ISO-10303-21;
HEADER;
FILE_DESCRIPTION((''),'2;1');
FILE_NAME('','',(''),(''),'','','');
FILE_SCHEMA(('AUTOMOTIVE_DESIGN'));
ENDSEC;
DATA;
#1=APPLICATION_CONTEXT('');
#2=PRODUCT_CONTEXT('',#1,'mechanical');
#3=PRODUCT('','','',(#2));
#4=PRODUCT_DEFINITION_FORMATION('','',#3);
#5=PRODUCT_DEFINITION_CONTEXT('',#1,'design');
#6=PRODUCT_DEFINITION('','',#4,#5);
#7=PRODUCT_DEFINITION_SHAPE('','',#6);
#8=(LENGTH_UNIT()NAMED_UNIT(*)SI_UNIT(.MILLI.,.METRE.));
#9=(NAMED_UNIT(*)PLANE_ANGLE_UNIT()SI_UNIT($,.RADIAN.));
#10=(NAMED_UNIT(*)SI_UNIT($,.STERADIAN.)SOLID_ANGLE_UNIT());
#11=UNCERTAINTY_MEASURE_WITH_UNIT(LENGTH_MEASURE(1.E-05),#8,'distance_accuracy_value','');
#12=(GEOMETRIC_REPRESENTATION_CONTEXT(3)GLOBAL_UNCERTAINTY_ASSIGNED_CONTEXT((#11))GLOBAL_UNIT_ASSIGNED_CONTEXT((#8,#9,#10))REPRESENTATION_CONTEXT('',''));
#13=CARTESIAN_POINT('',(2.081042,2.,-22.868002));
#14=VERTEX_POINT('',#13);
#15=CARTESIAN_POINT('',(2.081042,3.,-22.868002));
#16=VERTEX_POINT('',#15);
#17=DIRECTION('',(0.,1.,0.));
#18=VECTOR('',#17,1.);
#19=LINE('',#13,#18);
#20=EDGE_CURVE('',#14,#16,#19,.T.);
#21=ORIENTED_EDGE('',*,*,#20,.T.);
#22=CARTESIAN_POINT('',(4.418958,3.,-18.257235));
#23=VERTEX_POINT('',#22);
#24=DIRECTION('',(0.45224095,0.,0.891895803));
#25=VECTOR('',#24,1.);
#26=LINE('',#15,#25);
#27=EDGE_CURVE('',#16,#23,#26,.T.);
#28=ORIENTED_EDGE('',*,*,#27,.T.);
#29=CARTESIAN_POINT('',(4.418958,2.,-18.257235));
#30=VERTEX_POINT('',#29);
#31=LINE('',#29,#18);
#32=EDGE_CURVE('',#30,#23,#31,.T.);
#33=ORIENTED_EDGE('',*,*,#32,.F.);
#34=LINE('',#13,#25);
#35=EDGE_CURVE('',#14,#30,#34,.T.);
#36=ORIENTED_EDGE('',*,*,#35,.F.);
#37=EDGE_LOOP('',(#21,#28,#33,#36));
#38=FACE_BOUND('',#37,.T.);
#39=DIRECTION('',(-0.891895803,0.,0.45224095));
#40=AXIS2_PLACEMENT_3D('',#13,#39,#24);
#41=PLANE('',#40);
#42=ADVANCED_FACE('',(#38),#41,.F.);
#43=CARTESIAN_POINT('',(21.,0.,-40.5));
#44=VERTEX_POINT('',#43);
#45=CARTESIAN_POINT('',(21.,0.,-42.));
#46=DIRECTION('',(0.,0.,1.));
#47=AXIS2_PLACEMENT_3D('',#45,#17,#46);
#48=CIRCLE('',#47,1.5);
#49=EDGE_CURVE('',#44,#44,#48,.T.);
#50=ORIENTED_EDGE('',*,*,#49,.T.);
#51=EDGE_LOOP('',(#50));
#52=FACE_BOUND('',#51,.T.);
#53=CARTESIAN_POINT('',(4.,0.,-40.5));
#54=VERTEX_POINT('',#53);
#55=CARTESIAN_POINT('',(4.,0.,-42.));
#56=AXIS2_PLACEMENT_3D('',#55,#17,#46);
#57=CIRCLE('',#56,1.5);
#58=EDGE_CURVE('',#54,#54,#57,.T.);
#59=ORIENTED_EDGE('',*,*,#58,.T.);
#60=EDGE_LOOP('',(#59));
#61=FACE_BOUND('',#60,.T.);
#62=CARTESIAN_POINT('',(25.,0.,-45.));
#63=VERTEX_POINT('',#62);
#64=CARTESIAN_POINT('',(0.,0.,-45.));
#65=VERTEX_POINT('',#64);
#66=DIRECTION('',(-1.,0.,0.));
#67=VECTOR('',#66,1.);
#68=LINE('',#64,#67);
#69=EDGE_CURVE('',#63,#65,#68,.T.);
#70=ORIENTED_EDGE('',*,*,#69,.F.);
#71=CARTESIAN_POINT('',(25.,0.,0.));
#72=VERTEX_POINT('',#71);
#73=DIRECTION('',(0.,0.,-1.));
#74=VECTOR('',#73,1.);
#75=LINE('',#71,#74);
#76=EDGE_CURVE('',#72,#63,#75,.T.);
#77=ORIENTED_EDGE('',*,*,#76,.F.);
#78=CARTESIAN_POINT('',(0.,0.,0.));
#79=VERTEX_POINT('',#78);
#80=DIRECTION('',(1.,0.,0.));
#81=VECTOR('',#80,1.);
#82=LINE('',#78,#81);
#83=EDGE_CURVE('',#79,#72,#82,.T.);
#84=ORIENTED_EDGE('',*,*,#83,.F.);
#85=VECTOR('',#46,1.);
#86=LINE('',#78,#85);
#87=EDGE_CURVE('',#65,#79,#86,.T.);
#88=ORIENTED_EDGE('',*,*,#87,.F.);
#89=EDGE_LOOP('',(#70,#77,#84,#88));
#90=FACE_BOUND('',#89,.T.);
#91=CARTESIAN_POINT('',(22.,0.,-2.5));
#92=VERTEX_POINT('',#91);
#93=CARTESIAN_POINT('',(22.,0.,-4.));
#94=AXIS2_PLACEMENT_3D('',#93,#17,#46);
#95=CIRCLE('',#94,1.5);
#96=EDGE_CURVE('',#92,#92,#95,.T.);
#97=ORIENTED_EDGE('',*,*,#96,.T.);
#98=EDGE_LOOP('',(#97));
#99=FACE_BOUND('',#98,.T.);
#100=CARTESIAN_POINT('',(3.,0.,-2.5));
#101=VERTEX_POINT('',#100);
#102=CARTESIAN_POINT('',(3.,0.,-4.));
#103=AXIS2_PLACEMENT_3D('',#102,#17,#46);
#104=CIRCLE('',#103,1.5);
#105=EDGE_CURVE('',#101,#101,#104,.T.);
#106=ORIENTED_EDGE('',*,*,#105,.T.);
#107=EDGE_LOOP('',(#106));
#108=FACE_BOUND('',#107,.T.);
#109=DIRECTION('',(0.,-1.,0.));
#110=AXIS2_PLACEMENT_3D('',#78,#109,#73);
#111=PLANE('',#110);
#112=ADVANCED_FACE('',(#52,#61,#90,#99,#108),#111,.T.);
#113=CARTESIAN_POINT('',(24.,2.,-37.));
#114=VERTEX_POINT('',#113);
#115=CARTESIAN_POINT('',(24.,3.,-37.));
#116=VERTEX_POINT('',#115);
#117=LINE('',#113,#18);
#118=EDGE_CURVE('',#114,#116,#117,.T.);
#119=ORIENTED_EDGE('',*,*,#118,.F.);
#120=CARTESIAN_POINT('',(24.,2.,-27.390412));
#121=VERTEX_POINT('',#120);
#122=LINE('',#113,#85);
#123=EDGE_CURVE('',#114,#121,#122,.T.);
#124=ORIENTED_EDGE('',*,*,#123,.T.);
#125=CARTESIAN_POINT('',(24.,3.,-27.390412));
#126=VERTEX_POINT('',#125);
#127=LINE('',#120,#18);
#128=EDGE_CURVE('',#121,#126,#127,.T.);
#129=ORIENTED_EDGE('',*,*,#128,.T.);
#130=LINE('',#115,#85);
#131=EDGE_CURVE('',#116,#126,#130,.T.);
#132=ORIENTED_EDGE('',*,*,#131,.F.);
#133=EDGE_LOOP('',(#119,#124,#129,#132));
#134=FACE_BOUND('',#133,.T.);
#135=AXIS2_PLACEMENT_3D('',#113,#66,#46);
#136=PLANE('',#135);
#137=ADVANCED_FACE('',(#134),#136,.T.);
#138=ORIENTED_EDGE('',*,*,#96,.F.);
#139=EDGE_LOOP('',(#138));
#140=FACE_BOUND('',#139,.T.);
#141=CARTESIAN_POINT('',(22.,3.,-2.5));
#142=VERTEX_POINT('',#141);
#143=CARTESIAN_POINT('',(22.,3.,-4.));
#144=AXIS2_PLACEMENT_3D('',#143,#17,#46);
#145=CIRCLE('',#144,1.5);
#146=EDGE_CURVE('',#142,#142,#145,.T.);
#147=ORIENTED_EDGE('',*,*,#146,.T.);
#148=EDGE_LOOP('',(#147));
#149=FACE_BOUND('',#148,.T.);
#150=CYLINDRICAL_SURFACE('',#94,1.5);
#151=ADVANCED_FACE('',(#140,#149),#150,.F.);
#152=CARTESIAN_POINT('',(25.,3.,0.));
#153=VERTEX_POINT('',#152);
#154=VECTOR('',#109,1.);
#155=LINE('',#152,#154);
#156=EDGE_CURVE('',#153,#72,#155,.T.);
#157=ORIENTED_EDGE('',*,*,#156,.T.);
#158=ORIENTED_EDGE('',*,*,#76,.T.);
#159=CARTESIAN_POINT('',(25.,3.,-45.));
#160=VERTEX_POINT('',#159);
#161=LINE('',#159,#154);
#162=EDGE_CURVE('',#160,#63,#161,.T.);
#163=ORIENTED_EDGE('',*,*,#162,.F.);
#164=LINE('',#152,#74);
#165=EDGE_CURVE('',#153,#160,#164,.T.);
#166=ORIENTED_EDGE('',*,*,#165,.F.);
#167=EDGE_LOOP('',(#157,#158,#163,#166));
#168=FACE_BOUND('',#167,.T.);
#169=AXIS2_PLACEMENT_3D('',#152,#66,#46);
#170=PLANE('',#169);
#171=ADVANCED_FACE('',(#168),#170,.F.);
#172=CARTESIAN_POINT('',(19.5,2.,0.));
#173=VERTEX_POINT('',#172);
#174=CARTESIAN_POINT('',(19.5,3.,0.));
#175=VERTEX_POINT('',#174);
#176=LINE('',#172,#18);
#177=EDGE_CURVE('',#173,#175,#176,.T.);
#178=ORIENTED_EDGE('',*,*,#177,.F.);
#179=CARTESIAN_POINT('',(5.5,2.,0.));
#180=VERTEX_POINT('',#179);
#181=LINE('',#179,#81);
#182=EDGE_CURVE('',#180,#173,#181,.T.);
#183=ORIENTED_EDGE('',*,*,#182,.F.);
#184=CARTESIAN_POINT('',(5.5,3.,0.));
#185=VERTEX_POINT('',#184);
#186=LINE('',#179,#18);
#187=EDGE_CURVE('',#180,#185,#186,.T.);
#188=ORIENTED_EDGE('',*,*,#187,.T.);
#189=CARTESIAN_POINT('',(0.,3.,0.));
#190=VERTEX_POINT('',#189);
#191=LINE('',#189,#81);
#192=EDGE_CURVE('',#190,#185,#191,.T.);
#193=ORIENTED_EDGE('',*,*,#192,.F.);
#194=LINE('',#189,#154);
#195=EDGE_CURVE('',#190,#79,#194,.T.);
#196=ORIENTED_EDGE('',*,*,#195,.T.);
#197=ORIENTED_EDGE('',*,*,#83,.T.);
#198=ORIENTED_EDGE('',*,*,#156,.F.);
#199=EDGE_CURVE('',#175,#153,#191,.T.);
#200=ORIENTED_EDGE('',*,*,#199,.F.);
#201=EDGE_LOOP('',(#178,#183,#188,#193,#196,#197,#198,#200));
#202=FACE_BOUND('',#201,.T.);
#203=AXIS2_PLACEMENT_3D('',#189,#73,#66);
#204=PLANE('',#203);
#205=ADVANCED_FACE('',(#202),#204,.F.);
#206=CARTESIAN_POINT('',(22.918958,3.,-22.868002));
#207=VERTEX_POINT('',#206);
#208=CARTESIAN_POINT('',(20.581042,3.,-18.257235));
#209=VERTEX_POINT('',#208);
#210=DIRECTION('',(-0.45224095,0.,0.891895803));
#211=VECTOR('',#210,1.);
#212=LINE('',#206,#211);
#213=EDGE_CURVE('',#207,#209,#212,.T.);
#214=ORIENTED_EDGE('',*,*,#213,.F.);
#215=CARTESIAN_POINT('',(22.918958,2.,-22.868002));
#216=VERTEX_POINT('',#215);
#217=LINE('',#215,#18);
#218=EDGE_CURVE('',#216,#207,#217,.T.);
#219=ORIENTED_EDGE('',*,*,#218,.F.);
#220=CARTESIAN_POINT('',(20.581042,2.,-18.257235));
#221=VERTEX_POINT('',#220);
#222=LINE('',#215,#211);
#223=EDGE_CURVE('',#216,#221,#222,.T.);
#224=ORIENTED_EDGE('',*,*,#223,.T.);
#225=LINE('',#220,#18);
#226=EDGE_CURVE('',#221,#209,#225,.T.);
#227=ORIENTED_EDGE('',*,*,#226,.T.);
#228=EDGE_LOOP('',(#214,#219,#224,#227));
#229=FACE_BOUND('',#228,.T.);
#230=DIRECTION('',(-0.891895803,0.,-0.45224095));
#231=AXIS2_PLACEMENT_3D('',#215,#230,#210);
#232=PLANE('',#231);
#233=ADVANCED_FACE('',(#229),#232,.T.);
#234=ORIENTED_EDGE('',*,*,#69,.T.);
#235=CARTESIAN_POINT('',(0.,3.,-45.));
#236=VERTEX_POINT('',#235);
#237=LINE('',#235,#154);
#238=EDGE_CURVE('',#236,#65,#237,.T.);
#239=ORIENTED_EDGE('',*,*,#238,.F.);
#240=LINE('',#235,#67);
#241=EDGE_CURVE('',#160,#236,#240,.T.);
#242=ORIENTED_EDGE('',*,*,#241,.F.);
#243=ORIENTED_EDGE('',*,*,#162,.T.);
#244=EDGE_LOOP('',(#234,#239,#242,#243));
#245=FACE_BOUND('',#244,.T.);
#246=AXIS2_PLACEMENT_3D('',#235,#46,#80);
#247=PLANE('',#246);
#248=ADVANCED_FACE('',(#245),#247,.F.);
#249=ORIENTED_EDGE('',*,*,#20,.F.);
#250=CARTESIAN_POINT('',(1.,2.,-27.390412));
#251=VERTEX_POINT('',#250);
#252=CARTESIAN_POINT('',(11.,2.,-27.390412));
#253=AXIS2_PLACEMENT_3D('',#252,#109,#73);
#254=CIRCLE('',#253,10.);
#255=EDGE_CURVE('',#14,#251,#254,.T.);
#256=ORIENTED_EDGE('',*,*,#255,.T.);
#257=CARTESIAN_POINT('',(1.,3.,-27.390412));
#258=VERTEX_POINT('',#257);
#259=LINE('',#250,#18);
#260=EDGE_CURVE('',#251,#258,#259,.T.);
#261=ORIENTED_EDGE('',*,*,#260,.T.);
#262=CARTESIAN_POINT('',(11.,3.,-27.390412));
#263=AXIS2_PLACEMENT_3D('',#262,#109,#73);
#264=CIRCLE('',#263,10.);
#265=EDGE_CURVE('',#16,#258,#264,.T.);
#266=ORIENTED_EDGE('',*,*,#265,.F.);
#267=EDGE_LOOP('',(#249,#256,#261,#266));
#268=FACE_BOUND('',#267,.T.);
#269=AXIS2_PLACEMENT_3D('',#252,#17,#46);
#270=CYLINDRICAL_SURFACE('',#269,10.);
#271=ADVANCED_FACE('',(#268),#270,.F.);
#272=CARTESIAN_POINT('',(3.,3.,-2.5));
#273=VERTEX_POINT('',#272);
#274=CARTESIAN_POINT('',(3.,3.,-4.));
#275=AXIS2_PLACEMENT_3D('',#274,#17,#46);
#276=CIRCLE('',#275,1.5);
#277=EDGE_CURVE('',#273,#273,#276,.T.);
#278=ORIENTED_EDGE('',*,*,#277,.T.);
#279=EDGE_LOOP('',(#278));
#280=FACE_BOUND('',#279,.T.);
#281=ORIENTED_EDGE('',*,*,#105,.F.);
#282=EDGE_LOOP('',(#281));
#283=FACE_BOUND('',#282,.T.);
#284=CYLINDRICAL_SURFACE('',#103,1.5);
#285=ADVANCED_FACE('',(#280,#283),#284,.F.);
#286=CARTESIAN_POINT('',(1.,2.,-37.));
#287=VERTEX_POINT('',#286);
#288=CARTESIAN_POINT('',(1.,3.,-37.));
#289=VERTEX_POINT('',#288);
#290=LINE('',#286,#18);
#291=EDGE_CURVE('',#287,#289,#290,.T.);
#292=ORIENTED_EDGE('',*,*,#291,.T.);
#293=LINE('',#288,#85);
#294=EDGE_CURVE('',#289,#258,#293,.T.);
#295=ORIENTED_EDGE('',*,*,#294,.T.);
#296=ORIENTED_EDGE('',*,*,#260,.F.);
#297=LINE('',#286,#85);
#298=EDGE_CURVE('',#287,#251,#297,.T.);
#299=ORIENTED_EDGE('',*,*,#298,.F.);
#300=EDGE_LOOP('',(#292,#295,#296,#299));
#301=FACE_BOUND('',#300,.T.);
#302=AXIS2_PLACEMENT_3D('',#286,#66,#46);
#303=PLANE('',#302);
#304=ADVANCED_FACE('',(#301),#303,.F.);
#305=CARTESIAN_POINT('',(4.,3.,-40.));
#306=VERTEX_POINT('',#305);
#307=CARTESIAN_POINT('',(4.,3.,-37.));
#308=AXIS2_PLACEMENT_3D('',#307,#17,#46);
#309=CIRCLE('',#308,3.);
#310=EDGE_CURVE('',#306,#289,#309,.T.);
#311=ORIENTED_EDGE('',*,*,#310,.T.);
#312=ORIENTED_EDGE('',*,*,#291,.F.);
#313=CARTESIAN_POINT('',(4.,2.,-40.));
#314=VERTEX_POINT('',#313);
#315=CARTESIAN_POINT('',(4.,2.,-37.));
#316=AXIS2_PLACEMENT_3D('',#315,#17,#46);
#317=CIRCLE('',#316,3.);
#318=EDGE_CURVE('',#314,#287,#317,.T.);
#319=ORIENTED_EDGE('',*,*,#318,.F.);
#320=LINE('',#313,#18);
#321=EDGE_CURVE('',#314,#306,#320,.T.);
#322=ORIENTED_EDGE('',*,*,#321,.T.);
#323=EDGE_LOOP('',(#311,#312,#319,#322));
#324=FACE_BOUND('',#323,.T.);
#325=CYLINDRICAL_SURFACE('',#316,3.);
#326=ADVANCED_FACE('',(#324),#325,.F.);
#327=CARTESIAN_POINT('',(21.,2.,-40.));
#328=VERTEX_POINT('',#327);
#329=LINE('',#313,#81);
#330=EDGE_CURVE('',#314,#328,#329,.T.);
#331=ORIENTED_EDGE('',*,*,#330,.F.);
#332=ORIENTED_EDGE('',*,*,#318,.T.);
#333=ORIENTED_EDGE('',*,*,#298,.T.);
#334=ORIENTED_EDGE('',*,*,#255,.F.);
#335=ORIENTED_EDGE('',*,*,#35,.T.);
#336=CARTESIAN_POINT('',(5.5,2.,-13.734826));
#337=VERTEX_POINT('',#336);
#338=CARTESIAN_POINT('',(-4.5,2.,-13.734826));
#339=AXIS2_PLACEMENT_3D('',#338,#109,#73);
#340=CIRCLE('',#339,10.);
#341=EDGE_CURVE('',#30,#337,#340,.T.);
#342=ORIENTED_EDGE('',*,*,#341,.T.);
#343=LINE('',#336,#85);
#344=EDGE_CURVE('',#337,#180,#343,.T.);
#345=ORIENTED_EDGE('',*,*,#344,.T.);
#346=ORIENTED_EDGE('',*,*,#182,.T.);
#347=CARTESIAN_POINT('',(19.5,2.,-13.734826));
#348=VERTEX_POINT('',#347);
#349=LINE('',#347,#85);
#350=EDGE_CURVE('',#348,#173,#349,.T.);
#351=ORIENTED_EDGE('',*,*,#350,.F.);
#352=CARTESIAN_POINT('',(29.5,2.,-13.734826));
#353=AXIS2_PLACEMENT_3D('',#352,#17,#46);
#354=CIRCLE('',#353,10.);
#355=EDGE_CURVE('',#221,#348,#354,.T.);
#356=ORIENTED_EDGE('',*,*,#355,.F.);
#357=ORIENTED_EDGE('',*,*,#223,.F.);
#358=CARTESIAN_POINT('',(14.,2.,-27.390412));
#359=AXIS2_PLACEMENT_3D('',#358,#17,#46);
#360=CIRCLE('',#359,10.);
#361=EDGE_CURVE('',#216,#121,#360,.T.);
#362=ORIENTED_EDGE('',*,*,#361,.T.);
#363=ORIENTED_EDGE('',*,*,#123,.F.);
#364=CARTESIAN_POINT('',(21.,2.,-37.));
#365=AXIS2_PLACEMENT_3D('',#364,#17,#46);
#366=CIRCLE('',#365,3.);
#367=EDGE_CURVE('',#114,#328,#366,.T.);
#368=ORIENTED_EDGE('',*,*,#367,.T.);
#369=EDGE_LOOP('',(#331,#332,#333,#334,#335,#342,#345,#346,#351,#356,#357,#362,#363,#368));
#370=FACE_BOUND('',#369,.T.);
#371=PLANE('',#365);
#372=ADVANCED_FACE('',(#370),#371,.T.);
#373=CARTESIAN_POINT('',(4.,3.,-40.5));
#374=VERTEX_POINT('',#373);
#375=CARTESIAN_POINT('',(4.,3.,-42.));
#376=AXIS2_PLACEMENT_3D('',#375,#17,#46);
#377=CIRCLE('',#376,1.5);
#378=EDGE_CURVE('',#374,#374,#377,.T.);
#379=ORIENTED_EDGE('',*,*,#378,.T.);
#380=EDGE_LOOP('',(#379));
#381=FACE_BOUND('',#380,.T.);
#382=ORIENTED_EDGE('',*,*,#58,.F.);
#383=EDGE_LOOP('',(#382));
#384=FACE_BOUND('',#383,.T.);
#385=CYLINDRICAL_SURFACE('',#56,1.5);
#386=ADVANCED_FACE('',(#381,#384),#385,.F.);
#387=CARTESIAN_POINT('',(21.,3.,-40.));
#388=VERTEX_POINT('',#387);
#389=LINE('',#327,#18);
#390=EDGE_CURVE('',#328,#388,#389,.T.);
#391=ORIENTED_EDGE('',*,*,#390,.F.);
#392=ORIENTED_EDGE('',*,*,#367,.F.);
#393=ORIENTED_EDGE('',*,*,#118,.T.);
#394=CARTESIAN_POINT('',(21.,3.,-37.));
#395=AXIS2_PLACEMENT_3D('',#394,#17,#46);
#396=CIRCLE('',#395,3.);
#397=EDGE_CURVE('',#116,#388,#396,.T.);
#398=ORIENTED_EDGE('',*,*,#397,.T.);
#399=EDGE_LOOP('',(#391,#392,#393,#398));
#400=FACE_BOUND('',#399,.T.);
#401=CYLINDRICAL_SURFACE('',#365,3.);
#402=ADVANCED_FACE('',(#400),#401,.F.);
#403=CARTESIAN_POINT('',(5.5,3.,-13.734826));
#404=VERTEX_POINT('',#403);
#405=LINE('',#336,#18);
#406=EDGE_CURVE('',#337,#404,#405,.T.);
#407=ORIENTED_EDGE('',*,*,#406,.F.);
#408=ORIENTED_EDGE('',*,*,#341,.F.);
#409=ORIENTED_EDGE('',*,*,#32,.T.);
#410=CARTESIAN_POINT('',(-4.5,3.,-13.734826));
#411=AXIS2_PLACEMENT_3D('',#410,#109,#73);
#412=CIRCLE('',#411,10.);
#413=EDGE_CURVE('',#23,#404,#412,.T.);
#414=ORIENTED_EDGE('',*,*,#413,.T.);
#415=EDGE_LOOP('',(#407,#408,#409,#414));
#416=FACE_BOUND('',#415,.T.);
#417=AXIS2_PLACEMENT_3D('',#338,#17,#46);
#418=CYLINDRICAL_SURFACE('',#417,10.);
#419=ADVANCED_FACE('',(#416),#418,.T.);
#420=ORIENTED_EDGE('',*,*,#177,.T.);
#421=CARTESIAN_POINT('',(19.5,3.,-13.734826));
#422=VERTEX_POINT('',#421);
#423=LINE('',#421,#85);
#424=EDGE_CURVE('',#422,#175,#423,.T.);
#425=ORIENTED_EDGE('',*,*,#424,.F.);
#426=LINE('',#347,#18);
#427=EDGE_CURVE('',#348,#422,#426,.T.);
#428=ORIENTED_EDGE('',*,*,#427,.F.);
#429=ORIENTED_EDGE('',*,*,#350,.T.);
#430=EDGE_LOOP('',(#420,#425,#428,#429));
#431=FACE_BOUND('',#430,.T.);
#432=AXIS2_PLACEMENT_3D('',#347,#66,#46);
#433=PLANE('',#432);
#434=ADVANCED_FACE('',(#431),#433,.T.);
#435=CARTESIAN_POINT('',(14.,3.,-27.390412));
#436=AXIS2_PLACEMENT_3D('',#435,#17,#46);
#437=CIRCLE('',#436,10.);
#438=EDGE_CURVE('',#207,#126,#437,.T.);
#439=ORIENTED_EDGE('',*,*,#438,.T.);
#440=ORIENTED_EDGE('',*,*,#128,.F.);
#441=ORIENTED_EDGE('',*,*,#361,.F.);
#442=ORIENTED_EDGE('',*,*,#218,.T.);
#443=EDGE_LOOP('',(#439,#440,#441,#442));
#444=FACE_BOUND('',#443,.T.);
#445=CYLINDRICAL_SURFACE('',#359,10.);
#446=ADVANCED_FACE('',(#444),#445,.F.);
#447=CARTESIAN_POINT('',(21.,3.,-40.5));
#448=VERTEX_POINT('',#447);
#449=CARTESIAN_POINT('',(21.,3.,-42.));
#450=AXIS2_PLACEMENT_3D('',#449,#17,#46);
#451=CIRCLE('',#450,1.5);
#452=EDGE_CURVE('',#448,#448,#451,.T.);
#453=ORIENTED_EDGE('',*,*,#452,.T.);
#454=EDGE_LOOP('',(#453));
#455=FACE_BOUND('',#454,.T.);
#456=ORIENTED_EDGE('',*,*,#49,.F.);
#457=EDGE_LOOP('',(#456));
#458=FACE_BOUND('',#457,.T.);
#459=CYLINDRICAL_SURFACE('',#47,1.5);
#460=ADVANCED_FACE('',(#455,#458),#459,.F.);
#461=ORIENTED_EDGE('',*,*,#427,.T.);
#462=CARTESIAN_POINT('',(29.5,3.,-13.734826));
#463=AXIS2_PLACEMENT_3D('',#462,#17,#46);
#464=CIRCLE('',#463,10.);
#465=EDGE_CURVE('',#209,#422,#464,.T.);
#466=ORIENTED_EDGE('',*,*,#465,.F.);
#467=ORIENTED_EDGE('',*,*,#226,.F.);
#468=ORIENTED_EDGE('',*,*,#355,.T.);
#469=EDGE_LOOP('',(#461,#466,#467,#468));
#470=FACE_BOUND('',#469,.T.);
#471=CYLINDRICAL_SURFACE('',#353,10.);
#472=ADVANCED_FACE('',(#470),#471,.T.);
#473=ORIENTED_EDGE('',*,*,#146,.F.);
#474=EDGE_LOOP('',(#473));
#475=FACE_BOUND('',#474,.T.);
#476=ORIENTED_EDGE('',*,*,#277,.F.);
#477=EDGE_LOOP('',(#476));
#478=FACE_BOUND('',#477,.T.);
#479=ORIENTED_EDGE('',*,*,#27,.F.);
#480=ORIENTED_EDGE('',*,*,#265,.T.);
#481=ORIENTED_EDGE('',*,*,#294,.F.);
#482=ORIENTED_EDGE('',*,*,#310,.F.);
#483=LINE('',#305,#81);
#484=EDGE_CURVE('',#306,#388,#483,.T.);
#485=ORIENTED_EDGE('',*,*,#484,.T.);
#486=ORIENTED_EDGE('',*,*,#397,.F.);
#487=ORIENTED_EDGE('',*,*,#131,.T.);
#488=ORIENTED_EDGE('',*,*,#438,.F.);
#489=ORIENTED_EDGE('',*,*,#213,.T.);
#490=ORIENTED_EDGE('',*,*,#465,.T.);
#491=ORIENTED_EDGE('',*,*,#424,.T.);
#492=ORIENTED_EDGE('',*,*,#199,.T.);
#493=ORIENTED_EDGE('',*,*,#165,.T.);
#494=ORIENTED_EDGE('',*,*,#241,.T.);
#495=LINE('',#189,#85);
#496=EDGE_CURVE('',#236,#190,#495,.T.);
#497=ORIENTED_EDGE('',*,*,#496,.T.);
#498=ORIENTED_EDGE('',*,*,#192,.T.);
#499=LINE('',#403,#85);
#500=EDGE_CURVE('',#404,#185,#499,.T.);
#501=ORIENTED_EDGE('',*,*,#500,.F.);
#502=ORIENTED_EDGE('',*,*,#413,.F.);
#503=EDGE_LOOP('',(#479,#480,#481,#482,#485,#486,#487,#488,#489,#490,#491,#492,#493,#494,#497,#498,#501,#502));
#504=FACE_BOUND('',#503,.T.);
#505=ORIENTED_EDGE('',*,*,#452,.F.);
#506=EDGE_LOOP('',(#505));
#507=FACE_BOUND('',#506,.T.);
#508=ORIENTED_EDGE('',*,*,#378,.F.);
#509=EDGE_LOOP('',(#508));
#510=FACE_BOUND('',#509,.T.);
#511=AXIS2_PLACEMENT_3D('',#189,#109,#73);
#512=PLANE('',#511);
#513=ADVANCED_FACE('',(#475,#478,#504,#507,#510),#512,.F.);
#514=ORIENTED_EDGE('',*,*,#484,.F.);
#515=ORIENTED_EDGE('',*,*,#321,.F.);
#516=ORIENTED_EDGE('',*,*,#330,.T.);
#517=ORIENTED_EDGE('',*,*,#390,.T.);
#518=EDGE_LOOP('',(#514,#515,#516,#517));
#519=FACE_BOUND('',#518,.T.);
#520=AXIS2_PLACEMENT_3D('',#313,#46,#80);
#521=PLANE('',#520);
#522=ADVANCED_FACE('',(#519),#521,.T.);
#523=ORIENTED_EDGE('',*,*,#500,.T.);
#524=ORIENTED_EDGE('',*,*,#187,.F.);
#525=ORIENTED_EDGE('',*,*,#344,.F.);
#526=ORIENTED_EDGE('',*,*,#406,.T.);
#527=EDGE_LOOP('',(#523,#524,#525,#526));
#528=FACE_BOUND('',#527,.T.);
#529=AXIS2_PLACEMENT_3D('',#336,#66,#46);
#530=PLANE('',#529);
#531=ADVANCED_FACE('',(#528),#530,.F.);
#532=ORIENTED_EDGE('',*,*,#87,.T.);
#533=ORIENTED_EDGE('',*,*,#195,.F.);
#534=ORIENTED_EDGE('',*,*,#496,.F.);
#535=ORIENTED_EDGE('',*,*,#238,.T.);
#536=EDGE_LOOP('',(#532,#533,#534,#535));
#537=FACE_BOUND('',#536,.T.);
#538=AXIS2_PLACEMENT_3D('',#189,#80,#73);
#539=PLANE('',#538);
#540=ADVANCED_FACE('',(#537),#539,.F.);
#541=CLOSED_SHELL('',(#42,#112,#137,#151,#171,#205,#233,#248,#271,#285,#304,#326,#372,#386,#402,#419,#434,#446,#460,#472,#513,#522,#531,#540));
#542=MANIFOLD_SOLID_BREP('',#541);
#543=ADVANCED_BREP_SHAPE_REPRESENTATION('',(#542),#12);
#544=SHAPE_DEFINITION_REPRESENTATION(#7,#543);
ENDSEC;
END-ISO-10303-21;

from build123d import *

# Parameters (mm, degrees)
SKETCH1_W           = 25
SKETCH1_H           = 45
BOSS_EXTRUDE1_DEPTH = 3
CUT_EXTRUDE1_DEPTH  = 1
SKETCH3_R           = 1.5
CUT_EXTRUDE2_DEPTH  = 4


with BuildPart() as part:
    # Sketch1 → Boss-Extrude1 (new body)
    with BuildSketch(Plane(origin=(0, 0, 0), x_dir=(1, 0, 0), z_dir=(0, 1, 0))):
        with Locations((12.5, 22.5)):
            Rectangle(SKETCH1_W, SKETCH1_H)
    extrude(amount=BOSS_EXTRUDE1_DEPTH)

    # Sketch2 → Cut-Extrude1 (cut)
    with BuildSketch(Plane(origin=(0, 3, 0), x_dir=(1, 0, 0), z_dir=(0, 1, 0))):
        with BuildLine():
            Line((4, 40), (21, 40))
            ThreePointArc((21, 40), (23.121320344, 39.121320344), (24, 37))
            Line((24, 37), (24, 27.390411508))
            ThreePointArc((24, 27.390411508), (23.725985305, 25.065500788), (22.918958029, 22.868002009))
            Line((22.918958029, 22.868002009), (20.581041971, 18.257235294))
            ThreePointArc((20.581041971, 18.257235294), (19.774014695, 16.059736514), (19.5, 13.734825794))
            Line((19.5, 13.734825794), (19.5, 0))
            Line((19.5, 0), (5.5, 0))
            Line((5.5, 0), (5.5, 13.734825794))
            ThreePointArc((5.5, 13.734825794), (5.225985305, 16.059736514), (4.418958029, 18.257235294))
            Line((4.418958029, 18.257235294), (2.081041971, 22.868002009))
            ThreePointArc((2.081041971, 22.868002009), (1.274014695, 25.065500788), (1, 27.390411508))
            Line((1, 27.390411508), (1, 37))
            ThreePointArc((1, 37), (1.878679656, 39.121320344), (4, 40))
        make_face()
    extrude(amount=-CUT_EXTRUDE1_DEPTH, mode=Mode.SUBTRACT)

    # Sketch3 → Cut-Extrude2 (cut, through all)
    with BuildSketch(Plane(origin=(0, 3, 0), x_dir=(1, 0, 0), z_dir=(0, 1, 0))):
        with Locations((21, 42)):
            Circle(SKETCH3_R)
        with Locations((4, 42)):
            Circle(SKETCH3_R)
        with Locations((3, 4)):
            Circle(SKETCH3_R)
        with Locations((22, 4)):
            Circle(SKETCH3_R)
    extrude(amount=-CUT_EXTRUDE2_DEPTH, mode=Mode.SUBTRACT)


solid = part.part
